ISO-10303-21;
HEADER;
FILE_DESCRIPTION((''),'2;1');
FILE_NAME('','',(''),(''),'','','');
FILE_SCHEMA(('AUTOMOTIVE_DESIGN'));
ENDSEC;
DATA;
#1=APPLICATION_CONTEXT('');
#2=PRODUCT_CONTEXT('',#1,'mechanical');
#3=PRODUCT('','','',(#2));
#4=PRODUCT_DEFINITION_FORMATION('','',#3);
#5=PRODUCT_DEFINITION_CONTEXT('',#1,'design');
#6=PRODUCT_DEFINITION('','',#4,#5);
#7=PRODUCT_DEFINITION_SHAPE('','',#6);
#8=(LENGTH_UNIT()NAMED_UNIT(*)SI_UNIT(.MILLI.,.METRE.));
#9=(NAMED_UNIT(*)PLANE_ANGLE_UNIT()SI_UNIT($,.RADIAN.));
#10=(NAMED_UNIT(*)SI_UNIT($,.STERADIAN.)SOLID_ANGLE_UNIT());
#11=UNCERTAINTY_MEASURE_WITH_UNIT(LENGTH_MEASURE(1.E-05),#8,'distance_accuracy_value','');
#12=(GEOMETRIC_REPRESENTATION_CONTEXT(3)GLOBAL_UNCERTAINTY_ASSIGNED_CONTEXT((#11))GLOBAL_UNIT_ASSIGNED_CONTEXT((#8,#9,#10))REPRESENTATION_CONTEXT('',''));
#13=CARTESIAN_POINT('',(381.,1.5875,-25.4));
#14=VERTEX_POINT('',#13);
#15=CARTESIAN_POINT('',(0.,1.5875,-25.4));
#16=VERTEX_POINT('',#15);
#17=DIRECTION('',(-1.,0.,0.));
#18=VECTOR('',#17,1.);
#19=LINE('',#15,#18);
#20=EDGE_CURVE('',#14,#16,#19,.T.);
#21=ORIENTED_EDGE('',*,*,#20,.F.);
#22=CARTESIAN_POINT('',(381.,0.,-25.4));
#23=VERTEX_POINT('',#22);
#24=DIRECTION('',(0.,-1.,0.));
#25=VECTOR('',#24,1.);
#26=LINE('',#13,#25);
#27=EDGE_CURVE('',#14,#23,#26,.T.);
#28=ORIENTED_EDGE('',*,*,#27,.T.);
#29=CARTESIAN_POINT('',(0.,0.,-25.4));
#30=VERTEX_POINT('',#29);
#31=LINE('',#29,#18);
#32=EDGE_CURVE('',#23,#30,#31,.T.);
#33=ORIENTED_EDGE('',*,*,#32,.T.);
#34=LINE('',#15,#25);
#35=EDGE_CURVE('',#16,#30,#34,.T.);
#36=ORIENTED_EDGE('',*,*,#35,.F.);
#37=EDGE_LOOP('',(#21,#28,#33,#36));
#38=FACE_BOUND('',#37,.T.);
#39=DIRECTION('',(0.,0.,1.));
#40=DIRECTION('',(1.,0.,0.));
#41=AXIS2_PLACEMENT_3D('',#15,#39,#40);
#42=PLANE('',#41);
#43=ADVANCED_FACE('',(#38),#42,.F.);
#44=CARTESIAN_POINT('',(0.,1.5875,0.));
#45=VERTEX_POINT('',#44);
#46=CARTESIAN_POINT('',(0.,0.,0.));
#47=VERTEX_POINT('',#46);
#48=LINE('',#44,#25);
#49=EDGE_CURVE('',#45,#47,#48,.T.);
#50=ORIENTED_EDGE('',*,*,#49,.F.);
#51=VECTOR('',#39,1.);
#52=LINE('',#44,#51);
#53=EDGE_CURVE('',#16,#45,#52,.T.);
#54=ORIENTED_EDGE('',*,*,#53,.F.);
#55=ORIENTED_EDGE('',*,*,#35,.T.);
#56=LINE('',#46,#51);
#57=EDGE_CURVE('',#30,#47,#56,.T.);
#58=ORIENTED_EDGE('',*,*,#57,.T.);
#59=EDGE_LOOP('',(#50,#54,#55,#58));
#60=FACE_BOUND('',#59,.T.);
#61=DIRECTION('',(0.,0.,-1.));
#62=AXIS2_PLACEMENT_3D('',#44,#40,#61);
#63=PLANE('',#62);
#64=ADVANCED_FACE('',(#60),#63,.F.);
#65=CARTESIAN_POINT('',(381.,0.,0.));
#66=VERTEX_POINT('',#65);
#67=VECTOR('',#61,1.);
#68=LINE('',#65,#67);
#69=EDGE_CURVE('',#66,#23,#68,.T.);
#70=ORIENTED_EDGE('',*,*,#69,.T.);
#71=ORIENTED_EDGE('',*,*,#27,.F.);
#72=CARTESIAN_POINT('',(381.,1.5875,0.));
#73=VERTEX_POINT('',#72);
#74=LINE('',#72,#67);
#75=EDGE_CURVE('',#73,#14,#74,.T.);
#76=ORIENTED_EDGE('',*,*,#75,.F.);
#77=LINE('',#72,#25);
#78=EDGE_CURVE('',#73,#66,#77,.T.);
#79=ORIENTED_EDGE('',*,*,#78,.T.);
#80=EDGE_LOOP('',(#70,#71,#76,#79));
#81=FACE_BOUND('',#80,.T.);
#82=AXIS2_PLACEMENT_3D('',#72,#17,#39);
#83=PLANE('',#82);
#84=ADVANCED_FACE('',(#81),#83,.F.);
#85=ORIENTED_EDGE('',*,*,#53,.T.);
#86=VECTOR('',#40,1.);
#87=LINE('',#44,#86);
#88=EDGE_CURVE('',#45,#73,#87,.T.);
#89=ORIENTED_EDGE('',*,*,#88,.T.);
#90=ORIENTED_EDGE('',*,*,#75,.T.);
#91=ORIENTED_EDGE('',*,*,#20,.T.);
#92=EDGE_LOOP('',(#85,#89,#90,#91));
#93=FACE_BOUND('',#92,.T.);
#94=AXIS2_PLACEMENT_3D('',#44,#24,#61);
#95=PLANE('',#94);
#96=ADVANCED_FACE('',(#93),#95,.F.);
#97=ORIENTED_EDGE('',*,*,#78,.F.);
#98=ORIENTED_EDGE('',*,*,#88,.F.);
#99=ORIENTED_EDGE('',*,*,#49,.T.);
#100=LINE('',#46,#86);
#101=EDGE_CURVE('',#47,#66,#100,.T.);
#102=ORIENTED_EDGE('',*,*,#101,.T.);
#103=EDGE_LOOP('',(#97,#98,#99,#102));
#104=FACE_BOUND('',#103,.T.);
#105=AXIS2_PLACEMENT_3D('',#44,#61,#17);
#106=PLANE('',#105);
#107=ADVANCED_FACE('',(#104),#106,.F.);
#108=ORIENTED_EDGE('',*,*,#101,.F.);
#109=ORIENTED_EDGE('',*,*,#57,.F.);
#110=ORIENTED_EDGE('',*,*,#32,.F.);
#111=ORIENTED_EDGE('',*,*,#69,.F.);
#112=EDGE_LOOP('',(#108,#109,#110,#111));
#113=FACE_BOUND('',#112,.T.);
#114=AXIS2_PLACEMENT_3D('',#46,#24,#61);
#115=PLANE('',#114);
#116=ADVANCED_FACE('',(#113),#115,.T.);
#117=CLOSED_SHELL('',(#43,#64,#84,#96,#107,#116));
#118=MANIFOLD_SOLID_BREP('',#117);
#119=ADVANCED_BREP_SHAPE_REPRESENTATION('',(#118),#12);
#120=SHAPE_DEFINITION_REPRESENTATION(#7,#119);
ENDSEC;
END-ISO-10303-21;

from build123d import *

# Parameters (mm, degrees)
SKETCH1_W           = 381
SKETCH1_H           = 25.4
BOSS_EXTRUDE1_DEPTH = 1.5875


with BuildPart() as part:
    # Sketch1 → Boss-Extrude1 (new body)
    with BuildSketch(Plane(origin=(0, 0, 0), x_dir=(1, 0, 0), z_dir=(0, 1, 0))):
        with Locations((190.5, 12.7)):
            Rectangle(SKETCH1_W, SKETCH1_H)
    extrude(amount=BOSS_EXTRUDE1_DEPTH)


solid = part.part
